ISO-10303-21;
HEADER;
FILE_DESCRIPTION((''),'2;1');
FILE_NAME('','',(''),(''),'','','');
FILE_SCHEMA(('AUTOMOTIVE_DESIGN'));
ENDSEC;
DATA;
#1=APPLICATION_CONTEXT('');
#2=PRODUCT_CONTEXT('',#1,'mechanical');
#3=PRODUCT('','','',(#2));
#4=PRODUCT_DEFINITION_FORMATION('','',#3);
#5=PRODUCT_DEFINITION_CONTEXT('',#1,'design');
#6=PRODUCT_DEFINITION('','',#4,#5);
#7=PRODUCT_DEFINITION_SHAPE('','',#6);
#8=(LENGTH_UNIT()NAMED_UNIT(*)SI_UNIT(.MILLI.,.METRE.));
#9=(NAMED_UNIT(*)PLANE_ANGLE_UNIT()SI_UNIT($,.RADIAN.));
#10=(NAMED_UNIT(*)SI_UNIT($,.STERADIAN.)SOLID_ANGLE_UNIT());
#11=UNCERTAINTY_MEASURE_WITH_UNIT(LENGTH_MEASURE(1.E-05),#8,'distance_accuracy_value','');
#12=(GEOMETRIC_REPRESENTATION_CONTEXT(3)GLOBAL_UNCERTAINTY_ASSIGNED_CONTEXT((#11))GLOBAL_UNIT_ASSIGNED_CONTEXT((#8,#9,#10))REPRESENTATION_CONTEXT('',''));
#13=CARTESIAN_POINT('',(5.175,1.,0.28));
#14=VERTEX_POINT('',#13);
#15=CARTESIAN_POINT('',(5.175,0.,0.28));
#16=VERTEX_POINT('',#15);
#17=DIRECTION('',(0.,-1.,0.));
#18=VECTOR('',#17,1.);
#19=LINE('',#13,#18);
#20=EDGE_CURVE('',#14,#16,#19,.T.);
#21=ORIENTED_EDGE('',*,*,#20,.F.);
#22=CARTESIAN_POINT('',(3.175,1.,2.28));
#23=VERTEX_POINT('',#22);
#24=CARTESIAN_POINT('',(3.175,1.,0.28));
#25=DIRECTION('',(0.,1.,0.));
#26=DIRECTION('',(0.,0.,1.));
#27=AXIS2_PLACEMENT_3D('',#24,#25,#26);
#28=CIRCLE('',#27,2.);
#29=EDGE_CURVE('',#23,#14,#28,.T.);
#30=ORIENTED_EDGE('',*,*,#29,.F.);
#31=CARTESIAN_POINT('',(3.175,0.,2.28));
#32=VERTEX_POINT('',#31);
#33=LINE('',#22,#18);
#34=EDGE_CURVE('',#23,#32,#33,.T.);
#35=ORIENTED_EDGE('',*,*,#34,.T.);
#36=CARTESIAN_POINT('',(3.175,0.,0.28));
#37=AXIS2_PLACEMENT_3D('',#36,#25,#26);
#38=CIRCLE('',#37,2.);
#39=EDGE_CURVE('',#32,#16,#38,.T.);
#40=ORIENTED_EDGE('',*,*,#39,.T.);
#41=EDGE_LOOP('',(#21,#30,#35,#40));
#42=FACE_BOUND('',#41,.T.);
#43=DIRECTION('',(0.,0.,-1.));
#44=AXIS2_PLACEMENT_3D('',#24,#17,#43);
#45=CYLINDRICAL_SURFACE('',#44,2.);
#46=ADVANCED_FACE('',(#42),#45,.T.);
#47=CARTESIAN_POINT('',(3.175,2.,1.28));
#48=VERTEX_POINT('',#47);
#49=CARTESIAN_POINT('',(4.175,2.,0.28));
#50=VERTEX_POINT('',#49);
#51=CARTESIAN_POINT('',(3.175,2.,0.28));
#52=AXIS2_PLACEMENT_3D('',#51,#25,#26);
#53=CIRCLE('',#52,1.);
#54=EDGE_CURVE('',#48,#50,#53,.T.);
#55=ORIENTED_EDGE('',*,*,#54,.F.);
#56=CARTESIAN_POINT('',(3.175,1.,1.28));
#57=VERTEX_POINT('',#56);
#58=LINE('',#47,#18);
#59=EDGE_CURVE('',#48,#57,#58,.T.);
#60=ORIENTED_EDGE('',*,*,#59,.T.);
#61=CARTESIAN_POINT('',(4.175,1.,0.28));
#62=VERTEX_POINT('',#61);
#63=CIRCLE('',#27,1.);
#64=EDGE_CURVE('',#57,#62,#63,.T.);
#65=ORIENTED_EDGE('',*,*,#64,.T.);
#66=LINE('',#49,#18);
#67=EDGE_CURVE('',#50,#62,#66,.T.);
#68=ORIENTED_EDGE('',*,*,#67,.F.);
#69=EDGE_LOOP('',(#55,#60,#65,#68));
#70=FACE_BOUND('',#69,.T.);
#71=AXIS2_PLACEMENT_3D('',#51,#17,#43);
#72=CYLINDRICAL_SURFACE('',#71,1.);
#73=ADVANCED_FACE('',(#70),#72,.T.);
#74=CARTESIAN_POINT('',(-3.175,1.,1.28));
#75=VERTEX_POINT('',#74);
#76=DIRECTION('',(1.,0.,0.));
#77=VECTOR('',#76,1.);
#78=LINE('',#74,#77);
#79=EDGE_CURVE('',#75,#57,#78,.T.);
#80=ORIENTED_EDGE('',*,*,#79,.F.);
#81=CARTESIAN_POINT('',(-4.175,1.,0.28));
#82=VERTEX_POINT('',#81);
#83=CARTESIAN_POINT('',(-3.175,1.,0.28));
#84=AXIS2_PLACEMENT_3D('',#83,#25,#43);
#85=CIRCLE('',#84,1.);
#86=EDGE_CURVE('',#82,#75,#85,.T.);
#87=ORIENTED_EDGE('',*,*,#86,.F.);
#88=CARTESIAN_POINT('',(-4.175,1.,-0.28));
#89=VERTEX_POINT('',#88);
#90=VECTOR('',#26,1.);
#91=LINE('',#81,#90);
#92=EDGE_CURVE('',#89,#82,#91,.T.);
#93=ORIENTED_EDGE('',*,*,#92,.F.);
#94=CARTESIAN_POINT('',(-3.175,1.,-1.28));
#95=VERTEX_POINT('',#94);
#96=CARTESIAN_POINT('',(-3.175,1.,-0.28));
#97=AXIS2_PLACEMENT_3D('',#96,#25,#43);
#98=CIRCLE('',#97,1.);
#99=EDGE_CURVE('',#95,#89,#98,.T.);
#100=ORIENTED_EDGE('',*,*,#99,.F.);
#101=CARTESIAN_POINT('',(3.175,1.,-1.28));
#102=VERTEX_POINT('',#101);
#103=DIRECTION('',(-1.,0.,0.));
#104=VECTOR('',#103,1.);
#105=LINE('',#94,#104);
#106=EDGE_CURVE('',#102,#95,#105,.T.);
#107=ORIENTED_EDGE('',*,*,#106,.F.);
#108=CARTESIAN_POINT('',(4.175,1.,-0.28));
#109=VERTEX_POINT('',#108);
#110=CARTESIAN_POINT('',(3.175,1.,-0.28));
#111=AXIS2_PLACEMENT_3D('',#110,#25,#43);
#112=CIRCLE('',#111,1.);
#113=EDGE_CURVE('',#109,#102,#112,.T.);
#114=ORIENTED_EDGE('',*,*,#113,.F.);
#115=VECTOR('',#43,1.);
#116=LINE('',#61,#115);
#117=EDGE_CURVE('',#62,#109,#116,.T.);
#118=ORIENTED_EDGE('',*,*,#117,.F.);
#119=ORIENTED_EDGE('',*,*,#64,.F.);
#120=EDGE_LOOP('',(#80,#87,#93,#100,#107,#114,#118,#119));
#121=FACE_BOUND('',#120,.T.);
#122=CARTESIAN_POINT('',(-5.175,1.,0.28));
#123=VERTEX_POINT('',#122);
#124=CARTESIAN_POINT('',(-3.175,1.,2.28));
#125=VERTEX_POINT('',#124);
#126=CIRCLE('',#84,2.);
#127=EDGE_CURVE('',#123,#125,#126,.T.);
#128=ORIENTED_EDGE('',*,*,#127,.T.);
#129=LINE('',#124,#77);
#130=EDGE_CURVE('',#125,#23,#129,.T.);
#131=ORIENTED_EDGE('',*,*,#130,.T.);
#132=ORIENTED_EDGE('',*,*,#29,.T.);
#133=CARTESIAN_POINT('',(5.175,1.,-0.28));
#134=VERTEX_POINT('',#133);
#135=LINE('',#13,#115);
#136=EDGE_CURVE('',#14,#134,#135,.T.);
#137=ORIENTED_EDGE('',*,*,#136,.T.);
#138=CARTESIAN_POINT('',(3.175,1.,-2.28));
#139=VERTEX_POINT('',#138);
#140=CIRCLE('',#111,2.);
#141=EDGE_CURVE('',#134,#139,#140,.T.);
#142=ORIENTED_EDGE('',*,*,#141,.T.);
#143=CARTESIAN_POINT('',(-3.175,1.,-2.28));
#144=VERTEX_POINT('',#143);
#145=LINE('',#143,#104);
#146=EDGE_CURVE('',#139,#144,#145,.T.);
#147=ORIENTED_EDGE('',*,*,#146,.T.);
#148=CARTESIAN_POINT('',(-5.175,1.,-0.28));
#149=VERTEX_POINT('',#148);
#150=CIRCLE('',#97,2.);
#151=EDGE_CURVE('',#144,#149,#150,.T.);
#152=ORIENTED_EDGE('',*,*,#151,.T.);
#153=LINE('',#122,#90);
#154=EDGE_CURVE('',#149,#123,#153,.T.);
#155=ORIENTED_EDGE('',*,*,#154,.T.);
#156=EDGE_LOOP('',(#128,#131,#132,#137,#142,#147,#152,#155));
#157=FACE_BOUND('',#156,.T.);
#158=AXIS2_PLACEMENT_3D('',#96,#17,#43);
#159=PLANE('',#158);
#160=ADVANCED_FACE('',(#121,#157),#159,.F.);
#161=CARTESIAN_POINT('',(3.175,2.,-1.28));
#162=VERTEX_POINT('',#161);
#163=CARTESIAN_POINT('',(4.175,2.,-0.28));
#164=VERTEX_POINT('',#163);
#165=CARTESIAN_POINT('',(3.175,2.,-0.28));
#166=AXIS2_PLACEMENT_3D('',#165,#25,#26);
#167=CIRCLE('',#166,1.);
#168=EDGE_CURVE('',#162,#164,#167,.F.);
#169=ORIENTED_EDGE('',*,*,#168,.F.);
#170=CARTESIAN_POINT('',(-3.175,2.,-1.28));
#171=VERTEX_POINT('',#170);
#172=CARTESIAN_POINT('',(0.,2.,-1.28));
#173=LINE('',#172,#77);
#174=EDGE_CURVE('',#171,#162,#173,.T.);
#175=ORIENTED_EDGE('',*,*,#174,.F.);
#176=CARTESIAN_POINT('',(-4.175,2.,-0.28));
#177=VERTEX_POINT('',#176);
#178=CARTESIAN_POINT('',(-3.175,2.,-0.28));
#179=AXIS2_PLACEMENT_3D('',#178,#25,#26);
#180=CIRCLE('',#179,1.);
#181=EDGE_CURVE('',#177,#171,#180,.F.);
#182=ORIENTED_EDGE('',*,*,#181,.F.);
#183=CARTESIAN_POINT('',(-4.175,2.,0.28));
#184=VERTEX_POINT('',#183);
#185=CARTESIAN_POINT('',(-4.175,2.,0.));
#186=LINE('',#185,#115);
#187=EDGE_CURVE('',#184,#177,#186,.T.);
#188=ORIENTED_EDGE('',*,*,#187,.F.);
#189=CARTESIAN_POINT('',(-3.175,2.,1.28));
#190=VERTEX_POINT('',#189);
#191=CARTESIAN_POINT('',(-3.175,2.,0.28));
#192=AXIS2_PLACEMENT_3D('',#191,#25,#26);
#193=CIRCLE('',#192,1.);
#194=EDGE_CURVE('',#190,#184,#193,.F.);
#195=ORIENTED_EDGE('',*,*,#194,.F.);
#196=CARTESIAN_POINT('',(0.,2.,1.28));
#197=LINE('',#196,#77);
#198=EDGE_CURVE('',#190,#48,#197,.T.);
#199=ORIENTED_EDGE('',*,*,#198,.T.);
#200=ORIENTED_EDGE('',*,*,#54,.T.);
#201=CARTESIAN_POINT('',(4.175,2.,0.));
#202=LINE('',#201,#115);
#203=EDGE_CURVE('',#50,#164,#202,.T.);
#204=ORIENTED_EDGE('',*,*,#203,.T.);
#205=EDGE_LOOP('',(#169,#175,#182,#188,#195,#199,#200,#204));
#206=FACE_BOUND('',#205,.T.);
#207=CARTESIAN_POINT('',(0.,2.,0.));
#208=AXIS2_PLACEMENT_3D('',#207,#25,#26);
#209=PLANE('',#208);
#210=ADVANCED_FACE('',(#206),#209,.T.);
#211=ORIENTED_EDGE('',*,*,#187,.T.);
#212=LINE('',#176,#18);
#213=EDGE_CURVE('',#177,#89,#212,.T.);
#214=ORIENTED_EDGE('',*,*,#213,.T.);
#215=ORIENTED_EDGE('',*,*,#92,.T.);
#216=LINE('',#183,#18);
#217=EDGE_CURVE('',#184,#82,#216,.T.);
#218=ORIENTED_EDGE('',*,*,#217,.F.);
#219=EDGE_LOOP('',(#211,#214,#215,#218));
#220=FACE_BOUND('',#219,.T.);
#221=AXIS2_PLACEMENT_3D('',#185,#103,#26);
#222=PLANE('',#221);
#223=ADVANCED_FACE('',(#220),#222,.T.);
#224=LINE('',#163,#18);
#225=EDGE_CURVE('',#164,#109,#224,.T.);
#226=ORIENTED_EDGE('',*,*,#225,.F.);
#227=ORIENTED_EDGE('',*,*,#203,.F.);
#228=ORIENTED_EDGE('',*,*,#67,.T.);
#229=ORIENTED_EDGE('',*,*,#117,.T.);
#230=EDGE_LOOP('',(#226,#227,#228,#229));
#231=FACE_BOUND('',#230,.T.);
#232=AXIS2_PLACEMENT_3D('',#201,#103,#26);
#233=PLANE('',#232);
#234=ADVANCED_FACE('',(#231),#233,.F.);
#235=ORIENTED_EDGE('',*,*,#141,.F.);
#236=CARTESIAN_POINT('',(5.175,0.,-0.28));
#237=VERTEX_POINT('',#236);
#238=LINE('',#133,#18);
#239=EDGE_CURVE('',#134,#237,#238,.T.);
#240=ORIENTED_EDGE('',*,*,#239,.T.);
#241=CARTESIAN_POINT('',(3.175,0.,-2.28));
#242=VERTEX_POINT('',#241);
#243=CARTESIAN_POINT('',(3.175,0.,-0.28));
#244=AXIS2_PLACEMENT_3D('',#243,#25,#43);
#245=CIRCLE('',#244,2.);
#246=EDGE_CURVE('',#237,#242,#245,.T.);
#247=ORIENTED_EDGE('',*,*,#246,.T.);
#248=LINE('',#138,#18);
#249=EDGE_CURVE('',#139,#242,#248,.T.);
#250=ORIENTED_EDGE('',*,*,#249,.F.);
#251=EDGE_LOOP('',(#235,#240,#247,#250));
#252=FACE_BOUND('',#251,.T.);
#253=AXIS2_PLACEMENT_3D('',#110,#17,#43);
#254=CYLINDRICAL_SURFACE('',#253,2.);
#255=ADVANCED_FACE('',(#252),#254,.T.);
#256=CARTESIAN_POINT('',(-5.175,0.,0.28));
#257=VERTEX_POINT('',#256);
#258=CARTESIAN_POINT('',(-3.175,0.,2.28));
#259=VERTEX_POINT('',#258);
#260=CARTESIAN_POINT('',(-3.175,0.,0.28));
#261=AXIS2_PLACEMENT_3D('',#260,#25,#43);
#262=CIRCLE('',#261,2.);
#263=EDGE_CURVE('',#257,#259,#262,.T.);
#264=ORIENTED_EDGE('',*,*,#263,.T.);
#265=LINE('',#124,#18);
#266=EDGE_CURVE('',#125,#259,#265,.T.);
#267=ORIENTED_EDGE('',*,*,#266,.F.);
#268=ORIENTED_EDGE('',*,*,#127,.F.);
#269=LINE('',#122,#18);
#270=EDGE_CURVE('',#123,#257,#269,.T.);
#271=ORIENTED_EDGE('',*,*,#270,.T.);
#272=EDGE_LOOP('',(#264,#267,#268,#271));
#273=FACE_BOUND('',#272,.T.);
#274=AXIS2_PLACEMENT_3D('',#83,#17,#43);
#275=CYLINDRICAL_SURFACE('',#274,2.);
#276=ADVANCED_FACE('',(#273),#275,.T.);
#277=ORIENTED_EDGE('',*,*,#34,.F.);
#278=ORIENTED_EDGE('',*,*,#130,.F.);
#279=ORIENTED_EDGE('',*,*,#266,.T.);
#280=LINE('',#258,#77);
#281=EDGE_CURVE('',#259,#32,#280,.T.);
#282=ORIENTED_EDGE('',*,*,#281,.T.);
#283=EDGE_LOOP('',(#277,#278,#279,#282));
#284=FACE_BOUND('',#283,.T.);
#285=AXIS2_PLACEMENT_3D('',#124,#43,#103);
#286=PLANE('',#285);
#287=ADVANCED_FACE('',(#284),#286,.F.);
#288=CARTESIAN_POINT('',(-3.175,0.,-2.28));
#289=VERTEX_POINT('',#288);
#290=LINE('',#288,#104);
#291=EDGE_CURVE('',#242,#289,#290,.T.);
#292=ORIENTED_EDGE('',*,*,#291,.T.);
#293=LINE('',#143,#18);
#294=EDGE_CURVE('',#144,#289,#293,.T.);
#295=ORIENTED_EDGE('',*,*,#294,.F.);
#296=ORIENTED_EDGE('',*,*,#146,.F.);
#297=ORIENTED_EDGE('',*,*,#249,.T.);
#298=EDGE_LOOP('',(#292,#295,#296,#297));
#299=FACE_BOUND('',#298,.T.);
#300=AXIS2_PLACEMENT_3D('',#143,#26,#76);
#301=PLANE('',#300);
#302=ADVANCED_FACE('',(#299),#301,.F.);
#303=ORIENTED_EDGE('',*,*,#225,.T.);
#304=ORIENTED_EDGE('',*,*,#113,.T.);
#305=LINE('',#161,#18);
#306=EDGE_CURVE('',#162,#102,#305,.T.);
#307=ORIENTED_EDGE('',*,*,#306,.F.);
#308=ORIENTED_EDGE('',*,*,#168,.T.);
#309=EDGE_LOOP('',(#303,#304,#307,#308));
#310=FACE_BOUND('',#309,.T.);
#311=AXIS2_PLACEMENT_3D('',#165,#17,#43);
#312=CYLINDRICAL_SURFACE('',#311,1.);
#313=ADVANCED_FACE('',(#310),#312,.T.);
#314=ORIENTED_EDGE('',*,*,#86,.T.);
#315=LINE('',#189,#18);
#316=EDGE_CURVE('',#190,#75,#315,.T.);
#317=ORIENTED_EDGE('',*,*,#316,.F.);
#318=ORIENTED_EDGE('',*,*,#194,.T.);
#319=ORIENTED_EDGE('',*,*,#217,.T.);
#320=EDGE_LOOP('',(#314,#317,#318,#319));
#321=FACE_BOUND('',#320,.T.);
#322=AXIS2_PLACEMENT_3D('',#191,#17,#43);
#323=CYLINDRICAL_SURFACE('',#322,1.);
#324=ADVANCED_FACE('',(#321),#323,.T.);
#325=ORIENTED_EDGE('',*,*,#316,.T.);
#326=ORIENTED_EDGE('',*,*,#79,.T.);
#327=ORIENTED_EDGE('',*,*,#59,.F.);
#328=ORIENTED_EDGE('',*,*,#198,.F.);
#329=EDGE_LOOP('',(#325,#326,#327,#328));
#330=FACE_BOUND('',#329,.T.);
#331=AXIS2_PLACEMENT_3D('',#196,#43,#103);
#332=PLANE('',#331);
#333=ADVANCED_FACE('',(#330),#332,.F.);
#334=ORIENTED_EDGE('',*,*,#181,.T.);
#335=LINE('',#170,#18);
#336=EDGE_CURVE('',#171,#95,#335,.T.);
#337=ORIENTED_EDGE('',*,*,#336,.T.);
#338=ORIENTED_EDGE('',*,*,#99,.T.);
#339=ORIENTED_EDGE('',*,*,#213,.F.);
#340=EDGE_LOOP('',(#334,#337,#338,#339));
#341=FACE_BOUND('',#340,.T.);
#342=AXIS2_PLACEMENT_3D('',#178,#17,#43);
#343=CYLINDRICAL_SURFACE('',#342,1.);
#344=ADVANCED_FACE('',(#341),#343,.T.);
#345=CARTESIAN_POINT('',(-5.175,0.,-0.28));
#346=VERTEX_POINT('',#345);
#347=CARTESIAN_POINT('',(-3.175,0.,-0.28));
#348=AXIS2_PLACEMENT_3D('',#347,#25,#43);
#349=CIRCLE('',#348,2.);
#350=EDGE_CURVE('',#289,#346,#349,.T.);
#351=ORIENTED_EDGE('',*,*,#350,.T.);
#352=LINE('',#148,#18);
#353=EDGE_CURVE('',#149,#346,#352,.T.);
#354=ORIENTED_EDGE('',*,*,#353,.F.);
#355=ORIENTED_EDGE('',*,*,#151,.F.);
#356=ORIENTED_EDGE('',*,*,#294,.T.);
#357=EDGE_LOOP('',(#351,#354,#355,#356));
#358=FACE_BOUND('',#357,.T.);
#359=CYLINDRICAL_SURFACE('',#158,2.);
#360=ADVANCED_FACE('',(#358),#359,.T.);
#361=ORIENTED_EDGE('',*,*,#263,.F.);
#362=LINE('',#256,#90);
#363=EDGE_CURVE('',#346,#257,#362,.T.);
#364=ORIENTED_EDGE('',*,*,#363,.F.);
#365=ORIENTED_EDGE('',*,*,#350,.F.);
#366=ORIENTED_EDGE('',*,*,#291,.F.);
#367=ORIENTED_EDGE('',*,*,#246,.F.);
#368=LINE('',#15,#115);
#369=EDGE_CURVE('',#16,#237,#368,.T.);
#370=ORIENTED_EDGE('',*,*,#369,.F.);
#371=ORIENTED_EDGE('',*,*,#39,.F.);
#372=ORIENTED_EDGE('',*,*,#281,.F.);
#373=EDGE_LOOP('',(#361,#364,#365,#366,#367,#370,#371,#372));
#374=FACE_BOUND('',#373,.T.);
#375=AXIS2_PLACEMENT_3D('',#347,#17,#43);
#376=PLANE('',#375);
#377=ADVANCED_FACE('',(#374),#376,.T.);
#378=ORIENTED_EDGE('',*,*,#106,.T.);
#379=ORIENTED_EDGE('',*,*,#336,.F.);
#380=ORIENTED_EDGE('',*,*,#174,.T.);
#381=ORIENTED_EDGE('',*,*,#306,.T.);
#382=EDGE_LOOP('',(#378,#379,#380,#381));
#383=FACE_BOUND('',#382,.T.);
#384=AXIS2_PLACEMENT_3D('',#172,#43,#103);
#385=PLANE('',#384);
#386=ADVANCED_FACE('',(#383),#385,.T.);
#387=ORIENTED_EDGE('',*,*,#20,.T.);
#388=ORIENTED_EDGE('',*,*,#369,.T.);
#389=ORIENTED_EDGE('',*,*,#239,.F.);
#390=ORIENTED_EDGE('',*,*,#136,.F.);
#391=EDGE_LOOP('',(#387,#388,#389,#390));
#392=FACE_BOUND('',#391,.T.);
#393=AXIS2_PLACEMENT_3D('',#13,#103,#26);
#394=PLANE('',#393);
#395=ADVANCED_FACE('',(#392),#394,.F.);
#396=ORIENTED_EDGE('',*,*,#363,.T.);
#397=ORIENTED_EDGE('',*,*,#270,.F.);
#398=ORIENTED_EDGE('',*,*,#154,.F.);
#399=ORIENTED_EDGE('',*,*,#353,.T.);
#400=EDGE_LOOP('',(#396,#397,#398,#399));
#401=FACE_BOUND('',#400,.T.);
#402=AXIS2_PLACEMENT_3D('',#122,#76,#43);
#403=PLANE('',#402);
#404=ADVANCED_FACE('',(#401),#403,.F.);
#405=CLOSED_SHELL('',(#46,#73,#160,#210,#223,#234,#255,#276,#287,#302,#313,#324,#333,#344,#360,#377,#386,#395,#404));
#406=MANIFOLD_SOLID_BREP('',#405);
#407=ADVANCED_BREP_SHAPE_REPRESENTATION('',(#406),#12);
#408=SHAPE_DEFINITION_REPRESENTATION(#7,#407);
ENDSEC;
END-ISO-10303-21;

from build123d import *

# Parameters (mm, degrees)
BOSS_EXTRUDE1_DEPTH = 1
BOSS_EXTRUDE2_DEPTH = 2


with BuildPart() as part:
    # Sketch1 → Boss-Extrude1 (new body)
    with BuildSketch(Plane(origin=(0, 0, 0), x_dir=(1, 0, 0), z_dir=(0, 1, 0))):
        with BuildLine():
            Line((-3.175, 2.28), (3.175, 2.28))
            ThreePointArc((3.175, 2.28), (4.589213562, 1.694213562), (5.175, 0.28))
            Line((5.175, 0.28), (5.175, -0.28))
            ThreePointArc((5.175, -0.28), (4.589213562, -1.694213562), (3.175, -2.28))
            Line((3.175, -2.28), (-3.175, -2.28))
            ThreePointArc((-3.175, -2.28), (-4.589213562, -1.694213562), (-5.175, -0.28))
            Line((-5.175, -0.28), (-5.175, 0.28))
            ThreePointArc((-5.175, 0.28), (-4.589213562, 1.694213562), (-3.175, 2.28))
        make_face()
        with BuildLine():
            Line((-3.175, -1.28), (3.175, -1.28))
            ThreePointArc((3.175, -1.28), (3.882106781, -0.987106781), (4.175, -0.28))
            Line((4.175, -0.28), (4.175, 0.28))
            ThreePointArc((4.175, 0.28), (3.882106781, 0.987106781), (3.175, 1.28))
            Line((3.175, 1.28), (-3.175, 1.28))
            ThreePointArc((-3.175, 1.28), (-3.882106781, 0.987106781), (-4.175, 0.28))
            Line((-4.175, 0.28), (-4.175, -0.28))
            ThreePointArc((-4.175, -0.28), (-3.882106781, -0.987106781), (-3.175, -1.28))
        make_face(mode=Mode.SUBTRACT)
    extrude(amount=BOSS_EXTRUDE1_DEPTH)

    # Sketch1<2> → Boss-Extrude2 (add)
    with BuildSketch(Plane(origin=(0, 0, 0), x_dir=(1, 0, 0), z_dir=(0, 1, 0))):
        with BuildLine():
            ThreePointArc((-4.175, -0.28), (-3.882106781, -0.987106781), (-3.175, -1.28))
            Line((-3.175, -1.28), (3.175, -1.28))
            ThreePointArc((3.175, -1.28), (3.882106781, -0.987106781), (4.175, -0.28))
            Line((4.175, -0.28), (4.175, 0.28))
            ThreePointArc((4.175, 0.28), (3.882106781, 0.987106781), (3.175, 1.28))
            Line((3.175, 1.28), (-3.175, 1.28))
            ThreePointArc((-3.175, 1.28), (-3.882106781, 0.987106781), (-4.175, 0.28))
            Line((-4.175, 0.28), (-4.175, -0.28))
        make_face()
    extrude(amount=BOSS_EXTRUDE2_DEPTH)


solid = part.part
